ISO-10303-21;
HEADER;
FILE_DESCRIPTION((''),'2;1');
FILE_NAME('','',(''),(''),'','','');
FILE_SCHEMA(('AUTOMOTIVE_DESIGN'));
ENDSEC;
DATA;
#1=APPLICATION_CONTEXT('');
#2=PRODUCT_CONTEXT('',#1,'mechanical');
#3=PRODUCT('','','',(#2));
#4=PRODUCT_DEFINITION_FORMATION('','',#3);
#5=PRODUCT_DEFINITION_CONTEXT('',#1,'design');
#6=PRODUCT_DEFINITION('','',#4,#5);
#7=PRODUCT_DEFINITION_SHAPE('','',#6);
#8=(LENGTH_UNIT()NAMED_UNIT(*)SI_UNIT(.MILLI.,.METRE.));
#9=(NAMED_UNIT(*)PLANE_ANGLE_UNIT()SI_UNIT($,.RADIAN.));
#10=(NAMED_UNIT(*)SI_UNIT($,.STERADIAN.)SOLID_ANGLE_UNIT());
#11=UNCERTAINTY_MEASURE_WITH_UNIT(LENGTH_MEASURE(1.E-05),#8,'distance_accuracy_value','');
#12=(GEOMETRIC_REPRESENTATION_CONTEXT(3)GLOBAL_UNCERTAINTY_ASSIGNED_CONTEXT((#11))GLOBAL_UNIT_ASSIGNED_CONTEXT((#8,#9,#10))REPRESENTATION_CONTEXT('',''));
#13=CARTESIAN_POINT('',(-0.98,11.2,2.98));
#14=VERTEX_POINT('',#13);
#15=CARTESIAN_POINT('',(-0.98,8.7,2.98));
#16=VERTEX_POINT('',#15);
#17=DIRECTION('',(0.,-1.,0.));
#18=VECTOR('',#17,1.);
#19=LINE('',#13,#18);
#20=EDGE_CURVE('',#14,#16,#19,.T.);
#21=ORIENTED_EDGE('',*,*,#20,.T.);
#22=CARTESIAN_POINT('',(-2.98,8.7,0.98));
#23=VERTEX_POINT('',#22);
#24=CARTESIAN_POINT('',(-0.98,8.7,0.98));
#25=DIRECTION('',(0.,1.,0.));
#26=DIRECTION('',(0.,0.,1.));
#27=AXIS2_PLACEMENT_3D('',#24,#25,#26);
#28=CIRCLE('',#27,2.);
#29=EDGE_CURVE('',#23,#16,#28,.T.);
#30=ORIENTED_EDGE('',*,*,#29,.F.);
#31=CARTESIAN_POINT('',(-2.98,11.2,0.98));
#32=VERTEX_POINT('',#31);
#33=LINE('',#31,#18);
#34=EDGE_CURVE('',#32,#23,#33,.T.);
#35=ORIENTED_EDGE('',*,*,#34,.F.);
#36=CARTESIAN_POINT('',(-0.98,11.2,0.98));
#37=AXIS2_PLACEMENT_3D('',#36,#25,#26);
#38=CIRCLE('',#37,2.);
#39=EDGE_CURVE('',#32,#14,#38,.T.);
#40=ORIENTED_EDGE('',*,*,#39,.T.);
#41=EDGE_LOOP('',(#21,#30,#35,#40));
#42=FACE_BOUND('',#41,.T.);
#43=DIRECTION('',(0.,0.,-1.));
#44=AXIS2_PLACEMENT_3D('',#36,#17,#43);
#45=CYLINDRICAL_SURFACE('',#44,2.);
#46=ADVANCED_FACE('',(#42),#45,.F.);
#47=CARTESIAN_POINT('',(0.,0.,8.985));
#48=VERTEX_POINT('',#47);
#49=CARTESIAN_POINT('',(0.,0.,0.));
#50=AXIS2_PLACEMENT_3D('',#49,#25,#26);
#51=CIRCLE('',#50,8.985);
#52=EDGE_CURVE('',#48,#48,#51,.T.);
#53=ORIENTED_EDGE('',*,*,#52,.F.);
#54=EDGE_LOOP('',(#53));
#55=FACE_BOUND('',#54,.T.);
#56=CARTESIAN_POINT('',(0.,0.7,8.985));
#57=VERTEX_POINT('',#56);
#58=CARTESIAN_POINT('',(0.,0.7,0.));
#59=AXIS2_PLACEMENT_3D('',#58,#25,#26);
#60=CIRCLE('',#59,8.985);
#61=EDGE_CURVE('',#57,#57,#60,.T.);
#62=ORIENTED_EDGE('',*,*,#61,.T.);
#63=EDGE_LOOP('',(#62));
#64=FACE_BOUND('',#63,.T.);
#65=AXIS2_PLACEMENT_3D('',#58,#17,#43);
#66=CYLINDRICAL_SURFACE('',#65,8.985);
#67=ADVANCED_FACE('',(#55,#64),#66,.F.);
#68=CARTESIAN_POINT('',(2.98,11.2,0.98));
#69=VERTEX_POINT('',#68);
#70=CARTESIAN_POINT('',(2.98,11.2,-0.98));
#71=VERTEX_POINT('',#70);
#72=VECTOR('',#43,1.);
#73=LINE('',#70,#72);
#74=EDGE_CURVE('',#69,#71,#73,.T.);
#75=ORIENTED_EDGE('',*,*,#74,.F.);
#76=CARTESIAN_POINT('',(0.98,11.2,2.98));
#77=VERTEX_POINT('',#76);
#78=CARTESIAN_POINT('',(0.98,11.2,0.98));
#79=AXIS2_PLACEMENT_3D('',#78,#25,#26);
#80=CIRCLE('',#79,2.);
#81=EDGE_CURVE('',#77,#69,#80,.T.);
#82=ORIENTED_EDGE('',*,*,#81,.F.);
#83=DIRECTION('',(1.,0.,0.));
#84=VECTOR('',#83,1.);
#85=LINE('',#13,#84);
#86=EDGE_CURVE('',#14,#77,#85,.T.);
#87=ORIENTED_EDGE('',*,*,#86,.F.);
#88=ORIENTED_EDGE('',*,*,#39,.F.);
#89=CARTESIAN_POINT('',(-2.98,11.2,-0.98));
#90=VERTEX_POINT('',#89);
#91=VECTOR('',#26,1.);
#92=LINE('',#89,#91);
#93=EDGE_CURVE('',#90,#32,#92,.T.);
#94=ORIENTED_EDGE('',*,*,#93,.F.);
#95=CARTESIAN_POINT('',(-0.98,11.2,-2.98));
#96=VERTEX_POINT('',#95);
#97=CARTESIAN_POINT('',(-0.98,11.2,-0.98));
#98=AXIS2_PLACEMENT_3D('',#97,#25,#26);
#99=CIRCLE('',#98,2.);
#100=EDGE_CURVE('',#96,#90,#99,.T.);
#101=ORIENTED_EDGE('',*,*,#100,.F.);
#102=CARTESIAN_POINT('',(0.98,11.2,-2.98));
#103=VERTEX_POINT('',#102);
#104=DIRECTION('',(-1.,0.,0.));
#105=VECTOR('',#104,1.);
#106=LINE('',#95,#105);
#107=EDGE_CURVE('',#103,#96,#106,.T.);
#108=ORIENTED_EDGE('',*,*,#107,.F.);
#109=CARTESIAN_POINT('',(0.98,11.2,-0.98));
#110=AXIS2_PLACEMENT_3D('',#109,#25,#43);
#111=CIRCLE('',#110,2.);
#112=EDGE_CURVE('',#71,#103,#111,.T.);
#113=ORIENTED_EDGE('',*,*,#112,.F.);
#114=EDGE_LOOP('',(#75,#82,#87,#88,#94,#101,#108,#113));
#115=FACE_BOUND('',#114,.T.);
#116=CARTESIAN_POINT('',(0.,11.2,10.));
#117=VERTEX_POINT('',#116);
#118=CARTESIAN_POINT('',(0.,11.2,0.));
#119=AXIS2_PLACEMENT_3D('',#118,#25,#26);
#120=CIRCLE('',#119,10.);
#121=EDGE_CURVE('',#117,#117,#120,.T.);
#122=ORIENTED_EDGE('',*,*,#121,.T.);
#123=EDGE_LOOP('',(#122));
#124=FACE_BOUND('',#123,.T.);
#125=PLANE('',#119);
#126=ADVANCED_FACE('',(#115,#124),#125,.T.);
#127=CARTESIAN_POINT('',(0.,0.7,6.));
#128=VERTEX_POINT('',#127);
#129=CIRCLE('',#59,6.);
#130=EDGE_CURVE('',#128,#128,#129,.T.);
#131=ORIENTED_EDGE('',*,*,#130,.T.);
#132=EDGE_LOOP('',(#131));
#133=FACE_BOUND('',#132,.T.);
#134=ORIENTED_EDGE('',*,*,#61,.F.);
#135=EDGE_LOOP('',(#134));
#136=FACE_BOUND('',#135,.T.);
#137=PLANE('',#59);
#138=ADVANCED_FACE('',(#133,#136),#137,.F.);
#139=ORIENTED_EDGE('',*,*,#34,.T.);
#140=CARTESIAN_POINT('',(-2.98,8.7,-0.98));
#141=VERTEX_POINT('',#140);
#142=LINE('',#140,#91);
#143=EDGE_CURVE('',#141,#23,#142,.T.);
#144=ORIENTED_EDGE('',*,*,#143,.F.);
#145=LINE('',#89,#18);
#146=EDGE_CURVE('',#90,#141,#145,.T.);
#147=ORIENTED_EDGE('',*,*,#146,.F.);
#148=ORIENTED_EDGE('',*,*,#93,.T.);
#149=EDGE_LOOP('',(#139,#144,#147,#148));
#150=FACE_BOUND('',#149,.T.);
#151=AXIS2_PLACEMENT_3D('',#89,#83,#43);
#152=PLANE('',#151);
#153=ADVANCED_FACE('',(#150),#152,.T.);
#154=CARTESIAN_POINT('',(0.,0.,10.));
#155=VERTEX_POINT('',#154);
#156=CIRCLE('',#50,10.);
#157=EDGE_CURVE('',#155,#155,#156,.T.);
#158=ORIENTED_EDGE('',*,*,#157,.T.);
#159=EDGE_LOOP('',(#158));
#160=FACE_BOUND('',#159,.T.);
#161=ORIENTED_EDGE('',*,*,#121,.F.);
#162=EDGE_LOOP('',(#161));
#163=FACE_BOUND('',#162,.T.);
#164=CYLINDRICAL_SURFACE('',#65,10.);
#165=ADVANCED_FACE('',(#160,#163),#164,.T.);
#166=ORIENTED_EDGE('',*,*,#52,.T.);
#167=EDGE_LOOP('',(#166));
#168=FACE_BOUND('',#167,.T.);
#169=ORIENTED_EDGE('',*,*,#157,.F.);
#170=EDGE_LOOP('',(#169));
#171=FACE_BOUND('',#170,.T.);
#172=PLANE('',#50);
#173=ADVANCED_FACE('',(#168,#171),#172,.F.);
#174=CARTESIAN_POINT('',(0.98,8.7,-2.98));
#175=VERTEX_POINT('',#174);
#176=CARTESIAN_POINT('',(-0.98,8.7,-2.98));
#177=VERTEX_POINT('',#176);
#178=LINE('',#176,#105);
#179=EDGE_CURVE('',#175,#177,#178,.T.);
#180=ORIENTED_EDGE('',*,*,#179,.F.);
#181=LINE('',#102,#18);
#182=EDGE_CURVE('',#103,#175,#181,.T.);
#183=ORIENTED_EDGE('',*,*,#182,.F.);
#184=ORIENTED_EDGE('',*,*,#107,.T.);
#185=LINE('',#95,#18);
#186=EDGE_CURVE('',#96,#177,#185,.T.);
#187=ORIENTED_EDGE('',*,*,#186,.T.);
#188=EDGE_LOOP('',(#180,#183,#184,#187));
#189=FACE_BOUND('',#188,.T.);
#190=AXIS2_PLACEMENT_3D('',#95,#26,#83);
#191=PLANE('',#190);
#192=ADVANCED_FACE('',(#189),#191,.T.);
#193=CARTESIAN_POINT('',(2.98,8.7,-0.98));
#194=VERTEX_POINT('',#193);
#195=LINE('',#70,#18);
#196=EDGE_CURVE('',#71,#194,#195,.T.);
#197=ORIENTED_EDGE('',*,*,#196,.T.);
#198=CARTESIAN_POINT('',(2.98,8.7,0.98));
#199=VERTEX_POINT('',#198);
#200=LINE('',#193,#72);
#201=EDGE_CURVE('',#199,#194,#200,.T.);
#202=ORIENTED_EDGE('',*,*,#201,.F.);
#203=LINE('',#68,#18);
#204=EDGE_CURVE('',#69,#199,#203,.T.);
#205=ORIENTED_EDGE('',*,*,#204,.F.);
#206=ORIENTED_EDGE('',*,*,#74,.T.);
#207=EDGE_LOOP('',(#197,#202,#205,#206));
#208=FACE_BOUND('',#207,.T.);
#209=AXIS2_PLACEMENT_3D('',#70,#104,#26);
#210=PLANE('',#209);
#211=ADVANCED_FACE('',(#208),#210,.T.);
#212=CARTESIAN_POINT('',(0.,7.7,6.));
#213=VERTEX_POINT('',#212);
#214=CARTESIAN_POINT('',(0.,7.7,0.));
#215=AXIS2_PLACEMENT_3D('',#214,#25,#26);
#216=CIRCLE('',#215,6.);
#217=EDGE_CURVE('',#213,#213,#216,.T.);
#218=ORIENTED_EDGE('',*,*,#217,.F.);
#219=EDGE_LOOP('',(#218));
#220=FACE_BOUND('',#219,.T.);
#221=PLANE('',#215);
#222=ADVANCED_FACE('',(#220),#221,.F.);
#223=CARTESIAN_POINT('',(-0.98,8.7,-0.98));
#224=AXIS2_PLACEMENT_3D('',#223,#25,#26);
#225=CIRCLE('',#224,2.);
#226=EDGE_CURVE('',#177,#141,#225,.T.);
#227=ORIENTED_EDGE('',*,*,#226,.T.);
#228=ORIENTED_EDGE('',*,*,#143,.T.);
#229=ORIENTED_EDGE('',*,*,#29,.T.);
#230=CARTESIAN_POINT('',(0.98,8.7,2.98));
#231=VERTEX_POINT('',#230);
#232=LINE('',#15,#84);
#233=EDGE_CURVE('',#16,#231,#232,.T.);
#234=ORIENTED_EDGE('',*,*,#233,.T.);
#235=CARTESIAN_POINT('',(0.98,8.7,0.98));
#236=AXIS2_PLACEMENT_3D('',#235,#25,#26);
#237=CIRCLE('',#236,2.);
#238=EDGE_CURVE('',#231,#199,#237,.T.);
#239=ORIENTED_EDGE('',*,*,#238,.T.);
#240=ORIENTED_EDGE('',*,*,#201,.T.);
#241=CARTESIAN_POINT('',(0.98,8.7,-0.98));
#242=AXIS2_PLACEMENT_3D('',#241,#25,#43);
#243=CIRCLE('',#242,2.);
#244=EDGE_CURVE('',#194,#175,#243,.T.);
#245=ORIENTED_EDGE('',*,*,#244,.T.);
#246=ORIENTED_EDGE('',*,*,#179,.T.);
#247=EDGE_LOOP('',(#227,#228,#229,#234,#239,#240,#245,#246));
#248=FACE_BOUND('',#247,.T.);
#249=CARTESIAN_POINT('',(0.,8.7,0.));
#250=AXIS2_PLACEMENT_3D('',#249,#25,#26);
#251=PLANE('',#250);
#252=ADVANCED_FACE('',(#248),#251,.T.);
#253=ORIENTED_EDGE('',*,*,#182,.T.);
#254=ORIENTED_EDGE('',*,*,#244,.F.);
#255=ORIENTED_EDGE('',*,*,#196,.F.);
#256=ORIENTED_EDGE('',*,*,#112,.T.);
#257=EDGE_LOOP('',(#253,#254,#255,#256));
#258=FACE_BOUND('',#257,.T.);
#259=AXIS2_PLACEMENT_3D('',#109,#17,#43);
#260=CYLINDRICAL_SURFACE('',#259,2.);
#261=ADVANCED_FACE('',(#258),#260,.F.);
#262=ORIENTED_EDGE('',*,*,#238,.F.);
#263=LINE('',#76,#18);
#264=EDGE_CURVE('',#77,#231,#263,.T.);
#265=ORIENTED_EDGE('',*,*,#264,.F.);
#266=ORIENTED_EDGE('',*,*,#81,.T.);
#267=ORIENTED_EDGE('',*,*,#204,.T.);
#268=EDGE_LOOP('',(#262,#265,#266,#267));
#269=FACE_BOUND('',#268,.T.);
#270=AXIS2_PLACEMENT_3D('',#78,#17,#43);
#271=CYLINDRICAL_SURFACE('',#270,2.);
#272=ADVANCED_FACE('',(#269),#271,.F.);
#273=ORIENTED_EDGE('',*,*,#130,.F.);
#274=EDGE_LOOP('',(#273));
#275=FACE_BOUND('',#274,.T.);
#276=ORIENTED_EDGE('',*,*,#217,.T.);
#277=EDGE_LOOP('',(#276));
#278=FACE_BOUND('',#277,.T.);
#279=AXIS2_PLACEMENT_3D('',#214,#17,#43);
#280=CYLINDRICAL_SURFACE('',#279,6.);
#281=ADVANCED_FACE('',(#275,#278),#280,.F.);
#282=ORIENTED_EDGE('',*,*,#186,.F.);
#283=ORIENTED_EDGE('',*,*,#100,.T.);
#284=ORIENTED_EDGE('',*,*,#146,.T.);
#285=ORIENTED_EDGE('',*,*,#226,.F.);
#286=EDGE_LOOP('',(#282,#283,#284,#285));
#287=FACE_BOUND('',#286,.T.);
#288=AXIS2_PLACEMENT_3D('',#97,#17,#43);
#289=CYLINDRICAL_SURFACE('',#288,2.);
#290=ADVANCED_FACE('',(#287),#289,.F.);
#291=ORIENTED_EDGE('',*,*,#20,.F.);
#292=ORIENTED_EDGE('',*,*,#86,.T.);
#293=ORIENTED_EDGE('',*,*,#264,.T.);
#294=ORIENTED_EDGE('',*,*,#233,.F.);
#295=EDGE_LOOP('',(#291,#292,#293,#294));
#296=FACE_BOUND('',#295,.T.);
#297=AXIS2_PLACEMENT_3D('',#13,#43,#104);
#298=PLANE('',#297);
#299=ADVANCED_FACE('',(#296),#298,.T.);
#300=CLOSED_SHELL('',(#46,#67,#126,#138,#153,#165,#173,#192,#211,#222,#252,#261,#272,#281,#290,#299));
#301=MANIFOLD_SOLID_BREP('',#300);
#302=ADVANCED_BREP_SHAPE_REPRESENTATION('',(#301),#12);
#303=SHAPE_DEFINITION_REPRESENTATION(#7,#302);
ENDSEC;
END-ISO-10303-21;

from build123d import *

# Parameters (mm, degrees)
SKETCH1_R           = 10
SKETCH1_R_2         = 8.985
BOSS_EXTRUDE1_DEPTH = 0.7
SKETCH2_R           = 10
SKETCH2_R_2         = 6
BOSS_EXTRUDE2_DEPTH = 7
SKETCH3_R           = 10
BOSS_EXTRUDE3_DEPTH = 1
SKETCH4_R           = 10
BOSS_EXTRUDE4_DEPTH = 2.5


with BuildPart() as part:
    # Sketch1 → Boss-Extrude1 (new body)
    with BuildSketch(Plane(origin=(0, 0, 0), x_dir=(1, 0, 0), z_dir=(0, 1, 0))):
        with Locations(Location((0, 0, 0), (0, 0, 270))):
            Circle(SKETCH1_R)
        with Locations(Location((0, 0, 0), (0, 0, 270))):
            Circle(SKETCH1_R_2, mode=Mode.SUBTRACT)
    extrude(amount=BOSS_EXTRUDE1_DEPTH)

    # Sketch2 → Boss-Extrude2 (add)
    with BuildSketch(Plane(origin=(0, 0.7, 0), x_dir=(1, 0, 0), z_dir=(0, 1, 0))):
        with Locations(Location((0, 0, 0), (0, 0, 270))):
            Circle(SKETCH2_R)
        with Locations(Location((0, 0, 0), (0, 0, 270))):
            Circle(SKETCH2_R_2, mode=Mode.SUBTRACT)
    extrude(amount=BOSS_EXTRUDE2_DEPTH)

    # Sketch3 → Boss-Extrude3 (add)
    with BuildSketch(Plane(origin=(0, 7.7, 0), x_dir=(1, 0, 0), z_dir=(0, 1, 0))):
        with Locations(Location((0, 0, 0), (0, 0, 270))):
            Circle(SKETCH3_R)
    extrude(amount=BOSS_EXTRUDE3_DEPTH)

    # Sketch4 → Boss-Extrude4 (add)
    with BuildSketch(Plane(origin=(0, 8.7, 0), x_dir=(1, 0, 0), z_dir=(0, 1, 0))):
        with Locations(Location((0, 0, 0), (0, 0, 270))):
            Circle(SKETCH4_R)
        with BuildLine():
            Line((-0.98, 2.98), (0.98, 2.98))
            ThreePointArc((0.98, 2.98), (2.394213562, 2.394213562), (2.98, 0.98))
            Line((2.98, 0.98), (2.98, -0.98))
            ThreePointArc((2.98, -0.98), (2.394213562, -2.394213562), (0.98, -2.98))
            Line((0.98, -2.98), (-0.98, -2.98))
            ThreePointArc((-0.98, -2.98), (-2.394213562, -2.394213562), (-2.98, -0.98))
            Line((-2.98, -0.98), (-2.98, 0.98))
            ThreePointArc((-2.98, 0.98), (-2.394213562, 2.394213562), (-0.98, 2.98))
        make_face(mode=Mode.SUBTRACT)
    extrude(amount=BOSS_EXTRUDE4_DEPTH)


solid = part.part
